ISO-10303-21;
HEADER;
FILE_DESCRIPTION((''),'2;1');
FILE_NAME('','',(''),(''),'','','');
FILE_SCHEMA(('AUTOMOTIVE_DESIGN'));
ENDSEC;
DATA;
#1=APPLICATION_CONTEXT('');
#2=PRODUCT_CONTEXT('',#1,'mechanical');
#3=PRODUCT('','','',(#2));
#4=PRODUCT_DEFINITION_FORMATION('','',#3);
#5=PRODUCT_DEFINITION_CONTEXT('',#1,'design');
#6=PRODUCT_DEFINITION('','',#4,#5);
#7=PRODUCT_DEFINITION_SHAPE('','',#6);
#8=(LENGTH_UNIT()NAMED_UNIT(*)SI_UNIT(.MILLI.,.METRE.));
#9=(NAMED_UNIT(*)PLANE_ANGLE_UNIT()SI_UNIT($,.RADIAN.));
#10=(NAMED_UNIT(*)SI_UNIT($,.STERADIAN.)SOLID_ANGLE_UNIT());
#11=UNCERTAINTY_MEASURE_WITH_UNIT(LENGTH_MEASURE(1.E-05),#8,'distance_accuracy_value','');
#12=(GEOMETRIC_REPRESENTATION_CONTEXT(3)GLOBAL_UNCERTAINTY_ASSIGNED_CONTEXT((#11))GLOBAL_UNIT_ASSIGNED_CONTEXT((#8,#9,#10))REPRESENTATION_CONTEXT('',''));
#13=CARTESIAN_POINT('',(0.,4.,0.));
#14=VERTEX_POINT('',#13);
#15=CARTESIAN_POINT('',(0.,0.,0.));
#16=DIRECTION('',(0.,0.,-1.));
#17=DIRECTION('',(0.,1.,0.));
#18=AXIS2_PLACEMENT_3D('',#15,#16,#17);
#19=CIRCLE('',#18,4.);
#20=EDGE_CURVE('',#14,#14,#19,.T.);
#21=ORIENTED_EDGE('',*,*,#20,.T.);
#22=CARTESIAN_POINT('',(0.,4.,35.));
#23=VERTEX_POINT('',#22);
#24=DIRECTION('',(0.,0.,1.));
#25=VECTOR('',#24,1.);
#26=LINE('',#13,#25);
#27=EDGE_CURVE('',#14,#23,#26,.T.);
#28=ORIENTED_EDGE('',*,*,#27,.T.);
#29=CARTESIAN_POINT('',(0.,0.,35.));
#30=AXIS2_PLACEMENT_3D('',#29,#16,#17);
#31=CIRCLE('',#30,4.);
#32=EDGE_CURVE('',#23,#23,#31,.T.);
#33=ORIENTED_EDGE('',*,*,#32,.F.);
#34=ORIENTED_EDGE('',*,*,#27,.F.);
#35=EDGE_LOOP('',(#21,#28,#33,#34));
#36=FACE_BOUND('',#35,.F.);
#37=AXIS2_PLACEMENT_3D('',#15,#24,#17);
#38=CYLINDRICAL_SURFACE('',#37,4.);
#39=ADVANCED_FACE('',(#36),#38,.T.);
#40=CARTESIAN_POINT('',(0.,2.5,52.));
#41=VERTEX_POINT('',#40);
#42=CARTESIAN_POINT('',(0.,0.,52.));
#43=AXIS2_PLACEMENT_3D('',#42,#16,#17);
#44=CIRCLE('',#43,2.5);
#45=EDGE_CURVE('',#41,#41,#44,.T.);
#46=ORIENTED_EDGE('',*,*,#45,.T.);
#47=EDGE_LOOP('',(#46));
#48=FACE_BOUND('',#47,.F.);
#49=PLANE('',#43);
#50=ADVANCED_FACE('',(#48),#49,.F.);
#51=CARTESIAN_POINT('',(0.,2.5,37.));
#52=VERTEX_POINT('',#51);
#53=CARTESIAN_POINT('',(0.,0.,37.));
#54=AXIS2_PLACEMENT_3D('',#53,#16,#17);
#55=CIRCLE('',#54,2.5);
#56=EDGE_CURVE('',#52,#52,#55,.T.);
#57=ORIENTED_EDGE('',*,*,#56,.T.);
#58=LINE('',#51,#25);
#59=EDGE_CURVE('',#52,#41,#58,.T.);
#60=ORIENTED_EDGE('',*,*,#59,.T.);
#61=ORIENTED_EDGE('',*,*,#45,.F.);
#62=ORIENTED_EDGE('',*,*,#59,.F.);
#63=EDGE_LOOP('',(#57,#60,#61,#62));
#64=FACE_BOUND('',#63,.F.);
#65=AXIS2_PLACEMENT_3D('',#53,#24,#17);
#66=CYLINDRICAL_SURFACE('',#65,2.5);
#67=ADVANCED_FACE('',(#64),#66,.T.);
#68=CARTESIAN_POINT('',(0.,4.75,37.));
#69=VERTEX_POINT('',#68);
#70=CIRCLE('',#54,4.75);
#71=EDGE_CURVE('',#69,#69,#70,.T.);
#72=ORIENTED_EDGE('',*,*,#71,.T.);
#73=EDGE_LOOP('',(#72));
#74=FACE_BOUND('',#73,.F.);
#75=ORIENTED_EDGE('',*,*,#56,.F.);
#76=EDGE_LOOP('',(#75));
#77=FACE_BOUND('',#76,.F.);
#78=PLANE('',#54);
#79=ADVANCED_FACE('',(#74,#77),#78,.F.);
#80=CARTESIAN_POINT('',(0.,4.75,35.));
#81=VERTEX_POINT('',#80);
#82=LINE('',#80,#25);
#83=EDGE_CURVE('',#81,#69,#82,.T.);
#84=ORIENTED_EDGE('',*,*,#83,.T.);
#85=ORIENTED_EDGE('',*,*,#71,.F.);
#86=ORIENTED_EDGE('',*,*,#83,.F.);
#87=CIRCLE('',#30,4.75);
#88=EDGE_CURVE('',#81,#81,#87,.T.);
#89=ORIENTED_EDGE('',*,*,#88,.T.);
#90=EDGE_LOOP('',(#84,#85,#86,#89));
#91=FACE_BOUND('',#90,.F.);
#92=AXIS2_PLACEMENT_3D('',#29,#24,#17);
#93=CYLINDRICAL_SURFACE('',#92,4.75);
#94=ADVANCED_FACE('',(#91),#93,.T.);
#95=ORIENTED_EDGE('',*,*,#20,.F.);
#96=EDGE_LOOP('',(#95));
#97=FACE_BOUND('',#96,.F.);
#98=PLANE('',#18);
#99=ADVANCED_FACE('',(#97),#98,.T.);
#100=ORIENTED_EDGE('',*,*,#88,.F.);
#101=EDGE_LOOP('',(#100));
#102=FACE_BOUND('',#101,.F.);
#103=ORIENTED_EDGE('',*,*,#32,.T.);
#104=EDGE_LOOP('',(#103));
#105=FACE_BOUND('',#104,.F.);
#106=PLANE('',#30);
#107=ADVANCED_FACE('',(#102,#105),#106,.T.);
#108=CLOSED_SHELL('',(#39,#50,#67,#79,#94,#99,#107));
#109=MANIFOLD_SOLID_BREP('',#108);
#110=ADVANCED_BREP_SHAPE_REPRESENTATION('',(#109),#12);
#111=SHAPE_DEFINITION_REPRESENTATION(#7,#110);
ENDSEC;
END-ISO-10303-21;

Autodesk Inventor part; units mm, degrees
ref_plane "YZ Plane" through (0, 0, 0) normal (1, 0, 0) x (0, 1, 0)
ref_plane "XZ Plane" through (0, 0, 0) normal (0, 1, 0) x (-1, 0, 0)
ref_plane "XY Plane" through (0, 0, 0) normal (0, 0, 1) x (1, 0, 0)
sketch "Sketch1" plane through (0, 0, 0) normal (1, 0, 0) x (0, 1, 0)
  line L0 (0, 0) -> (4, 0)
  line L1 (4, 0) -> (4, 35)
  line L2 (4, 35) -> (4.75, 35)
  line L3 (4.75, 35) -> (4.75, 37)
  line L4 (4.75, 37) -> (2.5, 37)
  line L5 (2.5, 37) -> (2.5, 52)
  line L6 (2.5, 52) -> (0, 52)
  line L7 (0, 52) -> (0, 0)
  dimension "d0" = 4
  dimension "d1" = 4.75
  dimension "d2" = 35
  dimension "d3" = 2
  dimension "d4" = 15
  dimension "d5" = 2.5
revolve "Revolution1" add sketch "Sketch1" angle 360 about axis through (0, 0, 52) along (0, 0, -1)
sketch "Sketch2" plane through (0, 0, 0) normal (0, 0, -1) x (-1, 0, 0)
  circle A0 centre (0, 0) radius 4 construction
  circle A1 centre (0, 0) radius 3.9688
  dimension "d12" = 7.9375
properties part number "hobbing_jig_shaft"
